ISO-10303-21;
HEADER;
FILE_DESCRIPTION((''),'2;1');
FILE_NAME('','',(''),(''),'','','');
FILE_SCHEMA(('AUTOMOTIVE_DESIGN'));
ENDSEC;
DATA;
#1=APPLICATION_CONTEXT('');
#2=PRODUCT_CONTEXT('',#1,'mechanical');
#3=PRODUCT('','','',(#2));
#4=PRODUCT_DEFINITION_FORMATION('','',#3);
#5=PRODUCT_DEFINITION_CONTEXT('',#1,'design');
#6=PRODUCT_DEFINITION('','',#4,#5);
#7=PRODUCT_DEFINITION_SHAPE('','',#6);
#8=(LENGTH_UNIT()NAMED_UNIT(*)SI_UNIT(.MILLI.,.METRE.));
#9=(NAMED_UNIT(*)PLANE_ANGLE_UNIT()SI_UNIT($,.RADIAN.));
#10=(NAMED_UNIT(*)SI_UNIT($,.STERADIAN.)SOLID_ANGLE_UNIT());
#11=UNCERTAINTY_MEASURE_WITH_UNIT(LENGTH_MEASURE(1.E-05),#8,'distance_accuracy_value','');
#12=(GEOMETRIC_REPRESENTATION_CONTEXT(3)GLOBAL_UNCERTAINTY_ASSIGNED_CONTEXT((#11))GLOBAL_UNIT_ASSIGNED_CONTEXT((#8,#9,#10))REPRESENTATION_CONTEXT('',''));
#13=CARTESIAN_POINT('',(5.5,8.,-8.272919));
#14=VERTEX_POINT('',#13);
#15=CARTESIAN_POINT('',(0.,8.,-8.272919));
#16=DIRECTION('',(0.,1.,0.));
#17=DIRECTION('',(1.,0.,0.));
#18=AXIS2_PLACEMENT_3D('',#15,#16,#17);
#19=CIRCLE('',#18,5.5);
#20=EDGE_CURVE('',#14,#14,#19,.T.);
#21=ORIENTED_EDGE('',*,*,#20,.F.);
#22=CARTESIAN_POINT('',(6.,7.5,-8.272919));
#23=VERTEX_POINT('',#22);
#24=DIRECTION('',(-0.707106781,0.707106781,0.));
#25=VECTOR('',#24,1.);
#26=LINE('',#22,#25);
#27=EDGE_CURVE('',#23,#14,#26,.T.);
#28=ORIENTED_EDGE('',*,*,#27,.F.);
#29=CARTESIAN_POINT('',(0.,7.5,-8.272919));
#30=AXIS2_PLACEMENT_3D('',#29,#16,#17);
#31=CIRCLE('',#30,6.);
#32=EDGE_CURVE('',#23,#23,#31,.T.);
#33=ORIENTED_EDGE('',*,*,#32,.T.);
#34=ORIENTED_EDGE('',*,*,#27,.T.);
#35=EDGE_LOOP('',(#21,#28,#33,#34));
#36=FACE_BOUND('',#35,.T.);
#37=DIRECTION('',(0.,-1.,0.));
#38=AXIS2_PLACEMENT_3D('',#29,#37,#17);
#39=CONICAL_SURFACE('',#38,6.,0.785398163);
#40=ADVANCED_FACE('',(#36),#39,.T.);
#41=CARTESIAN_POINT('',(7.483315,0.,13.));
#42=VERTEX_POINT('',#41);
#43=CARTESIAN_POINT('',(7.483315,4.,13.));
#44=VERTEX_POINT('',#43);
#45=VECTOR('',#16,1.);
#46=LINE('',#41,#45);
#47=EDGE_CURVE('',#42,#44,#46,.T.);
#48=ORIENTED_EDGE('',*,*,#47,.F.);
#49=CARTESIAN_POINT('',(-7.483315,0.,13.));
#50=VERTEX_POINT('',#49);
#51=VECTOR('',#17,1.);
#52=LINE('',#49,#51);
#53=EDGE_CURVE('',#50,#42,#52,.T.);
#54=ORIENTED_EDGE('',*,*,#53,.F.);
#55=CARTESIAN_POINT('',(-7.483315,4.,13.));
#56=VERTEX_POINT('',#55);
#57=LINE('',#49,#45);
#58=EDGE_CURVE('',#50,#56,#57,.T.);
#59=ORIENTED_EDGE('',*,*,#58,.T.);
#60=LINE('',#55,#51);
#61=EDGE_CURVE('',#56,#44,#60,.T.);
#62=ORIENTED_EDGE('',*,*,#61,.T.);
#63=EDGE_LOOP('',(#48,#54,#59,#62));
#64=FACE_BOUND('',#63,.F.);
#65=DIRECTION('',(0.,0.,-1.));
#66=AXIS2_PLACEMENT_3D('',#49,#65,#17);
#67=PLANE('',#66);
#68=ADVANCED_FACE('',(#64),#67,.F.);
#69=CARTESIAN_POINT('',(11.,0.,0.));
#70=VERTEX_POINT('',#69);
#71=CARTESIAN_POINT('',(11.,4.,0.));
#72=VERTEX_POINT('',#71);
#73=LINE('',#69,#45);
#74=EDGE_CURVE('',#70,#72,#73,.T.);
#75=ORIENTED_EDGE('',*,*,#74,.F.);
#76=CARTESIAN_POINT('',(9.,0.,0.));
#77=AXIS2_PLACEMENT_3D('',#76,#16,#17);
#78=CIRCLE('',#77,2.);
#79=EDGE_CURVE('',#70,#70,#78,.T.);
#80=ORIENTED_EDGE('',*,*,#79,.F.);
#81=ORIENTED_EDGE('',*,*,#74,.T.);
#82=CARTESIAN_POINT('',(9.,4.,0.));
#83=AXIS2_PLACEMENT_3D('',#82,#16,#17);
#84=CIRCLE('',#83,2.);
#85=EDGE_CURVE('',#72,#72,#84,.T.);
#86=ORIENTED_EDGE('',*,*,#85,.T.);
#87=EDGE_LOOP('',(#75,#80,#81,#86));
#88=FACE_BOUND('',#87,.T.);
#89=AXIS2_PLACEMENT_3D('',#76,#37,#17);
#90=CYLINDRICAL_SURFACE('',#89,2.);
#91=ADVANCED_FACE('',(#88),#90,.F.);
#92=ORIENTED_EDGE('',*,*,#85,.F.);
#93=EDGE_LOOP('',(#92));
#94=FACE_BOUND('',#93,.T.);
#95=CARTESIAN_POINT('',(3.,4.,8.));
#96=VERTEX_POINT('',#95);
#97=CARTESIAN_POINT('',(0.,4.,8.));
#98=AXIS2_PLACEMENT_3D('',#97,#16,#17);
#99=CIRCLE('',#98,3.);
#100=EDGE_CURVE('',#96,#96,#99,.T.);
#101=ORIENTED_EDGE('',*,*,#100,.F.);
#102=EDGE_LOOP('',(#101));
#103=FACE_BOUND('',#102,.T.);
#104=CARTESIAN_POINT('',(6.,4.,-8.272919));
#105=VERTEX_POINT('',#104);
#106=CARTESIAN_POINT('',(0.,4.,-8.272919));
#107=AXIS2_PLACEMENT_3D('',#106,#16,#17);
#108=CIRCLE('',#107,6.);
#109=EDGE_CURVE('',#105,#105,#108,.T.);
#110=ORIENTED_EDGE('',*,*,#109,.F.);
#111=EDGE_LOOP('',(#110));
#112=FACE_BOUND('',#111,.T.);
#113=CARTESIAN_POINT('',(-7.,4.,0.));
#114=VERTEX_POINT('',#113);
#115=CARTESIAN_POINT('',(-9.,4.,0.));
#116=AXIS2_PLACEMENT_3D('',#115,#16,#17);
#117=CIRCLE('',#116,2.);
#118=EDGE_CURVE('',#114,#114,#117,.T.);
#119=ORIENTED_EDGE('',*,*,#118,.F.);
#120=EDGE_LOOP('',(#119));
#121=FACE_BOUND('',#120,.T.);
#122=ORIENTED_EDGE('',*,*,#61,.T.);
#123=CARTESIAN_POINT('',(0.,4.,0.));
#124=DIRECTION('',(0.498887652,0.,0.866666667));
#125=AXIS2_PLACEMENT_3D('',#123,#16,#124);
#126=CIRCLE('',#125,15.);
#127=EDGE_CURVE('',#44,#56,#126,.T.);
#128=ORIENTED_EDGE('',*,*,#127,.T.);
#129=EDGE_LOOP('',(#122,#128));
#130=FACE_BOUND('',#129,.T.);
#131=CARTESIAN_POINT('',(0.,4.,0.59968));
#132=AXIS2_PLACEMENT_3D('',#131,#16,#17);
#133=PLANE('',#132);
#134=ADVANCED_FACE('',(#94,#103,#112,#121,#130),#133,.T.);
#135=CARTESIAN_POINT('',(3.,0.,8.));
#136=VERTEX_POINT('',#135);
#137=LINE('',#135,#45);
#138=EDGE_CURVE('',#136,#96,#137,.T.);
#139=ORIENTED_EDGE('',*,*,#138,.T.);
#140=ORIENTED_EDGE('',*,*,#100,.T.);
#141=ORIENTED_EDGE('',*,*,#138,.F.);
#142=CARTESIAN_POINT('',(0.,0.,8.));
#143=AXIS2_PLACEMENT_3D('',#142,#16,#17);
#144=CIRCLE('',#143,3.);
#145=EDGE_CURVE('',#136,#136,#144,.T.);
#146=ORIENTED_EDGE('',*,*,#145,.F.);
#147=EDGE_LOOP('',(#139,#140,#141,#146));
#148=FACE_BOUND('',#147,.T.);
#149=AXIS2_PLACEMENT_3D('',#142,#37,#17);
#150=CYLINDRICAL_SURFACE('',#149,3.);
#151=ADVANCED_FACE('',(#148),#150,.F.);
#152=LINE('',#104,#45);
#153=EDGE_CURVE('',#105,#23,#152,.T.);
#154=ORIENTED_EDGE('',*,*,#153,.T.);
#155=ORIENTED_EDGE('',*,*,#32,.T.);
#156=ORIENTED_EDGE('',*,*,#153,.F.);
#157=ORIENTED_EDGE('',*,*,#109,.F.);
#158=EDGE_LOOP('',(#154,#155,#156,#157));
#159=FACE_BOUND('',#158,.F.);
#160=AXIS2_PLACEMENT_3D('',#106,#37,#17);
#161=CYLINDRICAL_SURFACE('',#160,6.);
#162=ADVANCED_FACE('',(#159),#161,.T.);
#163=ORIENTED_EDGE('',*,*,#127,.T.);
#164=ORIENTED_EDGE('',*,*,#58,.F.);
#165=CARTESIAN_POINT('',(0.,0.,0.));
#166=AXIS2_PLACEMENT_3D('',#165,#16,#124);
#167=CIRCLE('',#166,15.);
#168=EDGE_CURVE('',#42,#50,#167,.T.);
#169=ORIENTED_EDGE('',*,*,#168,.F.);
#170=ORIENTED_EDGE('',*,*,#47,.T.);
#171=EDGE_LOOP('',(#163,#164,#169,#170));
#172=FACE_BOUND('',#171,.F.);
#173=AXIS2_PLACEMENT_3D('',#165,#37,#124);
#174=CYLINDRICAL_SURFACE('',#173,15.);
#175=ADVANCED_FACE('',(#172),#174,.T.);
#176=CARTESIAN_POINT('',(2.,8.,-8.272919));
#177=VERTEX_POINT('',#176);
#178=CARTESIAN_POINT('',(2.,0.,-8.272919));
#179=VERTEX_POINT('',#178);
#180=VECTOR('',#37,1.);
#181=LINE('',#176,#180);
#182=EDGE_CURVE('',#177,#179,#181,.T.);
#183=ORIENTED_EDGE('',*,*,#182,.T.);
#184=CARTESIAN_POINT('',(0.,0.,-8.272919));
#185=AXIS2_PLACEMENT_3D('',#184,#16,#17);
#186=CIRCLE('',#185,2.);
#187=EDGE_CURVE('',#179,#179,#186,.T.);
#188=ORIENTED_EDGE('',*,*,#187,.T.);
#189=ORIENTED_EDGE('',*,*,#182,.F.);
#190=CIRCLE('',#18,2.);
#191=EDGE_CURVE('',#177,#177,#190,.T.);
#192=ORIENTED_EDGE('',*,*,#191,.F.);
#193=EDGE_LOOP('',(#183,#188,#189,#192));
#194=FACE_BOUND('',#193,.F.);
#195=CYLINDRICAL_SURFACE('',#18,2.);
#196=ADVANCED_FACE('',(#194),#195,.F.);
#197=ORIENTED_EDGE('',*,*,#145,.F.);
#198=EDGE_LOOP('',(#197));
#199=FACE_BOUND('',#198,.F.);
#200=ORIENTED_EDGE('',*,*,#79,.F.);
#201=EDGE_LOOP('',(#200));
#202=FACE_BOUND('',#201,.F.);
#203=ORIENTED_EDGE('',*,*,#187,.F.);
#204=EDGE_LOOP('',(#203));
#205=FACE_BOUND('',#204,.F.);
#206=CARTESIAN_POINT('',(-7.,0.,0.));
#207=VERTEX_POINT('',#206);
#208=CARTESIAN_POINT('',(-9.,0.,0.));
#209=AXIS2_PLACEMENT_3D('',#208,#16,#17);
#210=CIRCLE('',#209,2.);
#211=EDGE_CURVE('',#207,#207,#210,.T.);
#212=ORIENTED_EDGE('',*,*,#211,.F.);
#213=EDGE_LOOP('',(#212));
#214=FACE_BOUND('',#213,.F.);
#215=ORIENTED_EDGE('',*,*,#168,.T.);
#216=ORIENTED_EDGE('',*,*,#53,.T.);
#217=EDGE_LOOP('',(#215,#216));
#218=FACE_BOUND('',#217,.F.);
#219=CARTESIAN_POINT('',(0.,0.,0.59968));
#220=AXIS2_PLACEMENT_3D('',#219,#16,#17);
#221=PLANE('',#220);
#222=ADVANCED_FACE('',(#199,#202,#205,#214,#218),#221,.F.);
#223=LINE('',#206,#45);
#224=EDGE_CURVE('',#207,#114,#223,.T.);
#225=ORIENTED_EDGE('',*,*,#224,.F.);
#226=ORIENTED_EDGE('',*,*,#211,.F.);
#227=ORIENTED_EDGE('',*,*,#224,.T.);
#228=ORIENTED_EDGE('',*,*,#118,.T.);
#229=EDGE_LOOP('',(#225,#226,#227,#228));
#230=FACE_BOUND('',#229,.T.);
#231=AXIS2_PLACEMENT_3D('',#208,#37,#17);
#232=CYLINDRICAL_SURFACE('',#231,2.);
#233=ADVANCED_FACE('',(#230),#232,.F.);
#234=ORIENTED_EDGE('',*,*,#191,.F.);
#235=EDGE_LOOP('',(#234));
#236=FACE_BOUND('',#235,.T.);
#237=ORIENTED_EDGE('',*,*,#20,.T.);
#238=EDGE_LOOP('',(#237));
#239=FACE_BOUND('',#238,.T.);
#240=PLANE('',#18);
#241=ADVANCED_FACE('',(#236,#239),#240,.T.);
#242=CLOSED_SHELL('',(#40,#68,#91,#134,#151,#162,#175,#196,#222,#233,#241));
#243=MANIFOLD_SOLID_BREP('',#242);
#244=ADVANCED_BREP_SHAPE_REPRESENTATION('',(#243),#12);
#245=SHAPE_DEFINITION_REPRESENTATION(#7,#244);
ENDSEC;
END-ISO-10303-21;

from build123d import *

# Parameters (mm, degrees)
SKETCH2_R           = 3
SKETCH2_R_2         = 2
BOSS_EXTRUDE1_DEPTH = 4
SKETCH3_R           = 6
BOSS_EXTRUDE2_DEPTH = 4
SKETCH4_R           = 2
CUT_EXTRUDE1_DEPTH  = 15
CHAMFER1_SIZE       = 0.5


with BuildPart() as part:
    # Sketch2 → Boss-Extrude1 (new body)
    with BuildSketch(Plane(origin=(0, 0, 0), x_dir=(1, 0, 0), z_dir=(0, 1, 0))):
        with BuildLine():
            Line((-7.483314774, -13), (7.483314774, -13))
            ThreePointArc((7.483314774, -13), (0, 15), (-7.483314774, -13))
        make_face()
        with Locations((0, -8)):
            Circle(SKETCH2_R, mode=Mode.SUBTRACT)
        with Locations((-9, 0)):
            Circle(SKETCH2_R_2, mode=Mode.SUBTRACT)
        with Locations((9, 0)):
            Circle(SKETCH2_R_2, mode=Mode.SUBTRACT)
    extrude(amount=BOSS_EXTRUDE1_DEPTH)

    # Sketch3 → Boss-Extrude2 (add)
    with BuildSketch(Plane(origin=(0, 4, 0), x_dir=(1, 0, 0), z_dir=(0, 1, 0))):
        with Locations((0, 8.272918614)):
            Circle(SKETCH3_R)
    extrude(amount=BOSS_EXTRUDE2_DEPTH)

    # Sketch4 → Cut-Extrude1 (cut)
    with BuildSketch(Plane(origin=(0, 8, 0), x_dir=(1, 0, 0), z_dir=(0, 1, 0))):
        with Locations((0, 8.272918614)):
            Circle(SKETCH4_R)
    extrude(amount=-CUT_EXTRUDE1_DEPTH, mode=Mode.SUBTRACT)

    # Chamfer1
    chamfer1_edges = [part.edges().sort_by_distance(p)[0] for p in [
        (-6, 8, -8.272918614),
    ]]
    chamfer(chamfer1_edges, length=CHAMFER1_SIZE)


solid = part.part
